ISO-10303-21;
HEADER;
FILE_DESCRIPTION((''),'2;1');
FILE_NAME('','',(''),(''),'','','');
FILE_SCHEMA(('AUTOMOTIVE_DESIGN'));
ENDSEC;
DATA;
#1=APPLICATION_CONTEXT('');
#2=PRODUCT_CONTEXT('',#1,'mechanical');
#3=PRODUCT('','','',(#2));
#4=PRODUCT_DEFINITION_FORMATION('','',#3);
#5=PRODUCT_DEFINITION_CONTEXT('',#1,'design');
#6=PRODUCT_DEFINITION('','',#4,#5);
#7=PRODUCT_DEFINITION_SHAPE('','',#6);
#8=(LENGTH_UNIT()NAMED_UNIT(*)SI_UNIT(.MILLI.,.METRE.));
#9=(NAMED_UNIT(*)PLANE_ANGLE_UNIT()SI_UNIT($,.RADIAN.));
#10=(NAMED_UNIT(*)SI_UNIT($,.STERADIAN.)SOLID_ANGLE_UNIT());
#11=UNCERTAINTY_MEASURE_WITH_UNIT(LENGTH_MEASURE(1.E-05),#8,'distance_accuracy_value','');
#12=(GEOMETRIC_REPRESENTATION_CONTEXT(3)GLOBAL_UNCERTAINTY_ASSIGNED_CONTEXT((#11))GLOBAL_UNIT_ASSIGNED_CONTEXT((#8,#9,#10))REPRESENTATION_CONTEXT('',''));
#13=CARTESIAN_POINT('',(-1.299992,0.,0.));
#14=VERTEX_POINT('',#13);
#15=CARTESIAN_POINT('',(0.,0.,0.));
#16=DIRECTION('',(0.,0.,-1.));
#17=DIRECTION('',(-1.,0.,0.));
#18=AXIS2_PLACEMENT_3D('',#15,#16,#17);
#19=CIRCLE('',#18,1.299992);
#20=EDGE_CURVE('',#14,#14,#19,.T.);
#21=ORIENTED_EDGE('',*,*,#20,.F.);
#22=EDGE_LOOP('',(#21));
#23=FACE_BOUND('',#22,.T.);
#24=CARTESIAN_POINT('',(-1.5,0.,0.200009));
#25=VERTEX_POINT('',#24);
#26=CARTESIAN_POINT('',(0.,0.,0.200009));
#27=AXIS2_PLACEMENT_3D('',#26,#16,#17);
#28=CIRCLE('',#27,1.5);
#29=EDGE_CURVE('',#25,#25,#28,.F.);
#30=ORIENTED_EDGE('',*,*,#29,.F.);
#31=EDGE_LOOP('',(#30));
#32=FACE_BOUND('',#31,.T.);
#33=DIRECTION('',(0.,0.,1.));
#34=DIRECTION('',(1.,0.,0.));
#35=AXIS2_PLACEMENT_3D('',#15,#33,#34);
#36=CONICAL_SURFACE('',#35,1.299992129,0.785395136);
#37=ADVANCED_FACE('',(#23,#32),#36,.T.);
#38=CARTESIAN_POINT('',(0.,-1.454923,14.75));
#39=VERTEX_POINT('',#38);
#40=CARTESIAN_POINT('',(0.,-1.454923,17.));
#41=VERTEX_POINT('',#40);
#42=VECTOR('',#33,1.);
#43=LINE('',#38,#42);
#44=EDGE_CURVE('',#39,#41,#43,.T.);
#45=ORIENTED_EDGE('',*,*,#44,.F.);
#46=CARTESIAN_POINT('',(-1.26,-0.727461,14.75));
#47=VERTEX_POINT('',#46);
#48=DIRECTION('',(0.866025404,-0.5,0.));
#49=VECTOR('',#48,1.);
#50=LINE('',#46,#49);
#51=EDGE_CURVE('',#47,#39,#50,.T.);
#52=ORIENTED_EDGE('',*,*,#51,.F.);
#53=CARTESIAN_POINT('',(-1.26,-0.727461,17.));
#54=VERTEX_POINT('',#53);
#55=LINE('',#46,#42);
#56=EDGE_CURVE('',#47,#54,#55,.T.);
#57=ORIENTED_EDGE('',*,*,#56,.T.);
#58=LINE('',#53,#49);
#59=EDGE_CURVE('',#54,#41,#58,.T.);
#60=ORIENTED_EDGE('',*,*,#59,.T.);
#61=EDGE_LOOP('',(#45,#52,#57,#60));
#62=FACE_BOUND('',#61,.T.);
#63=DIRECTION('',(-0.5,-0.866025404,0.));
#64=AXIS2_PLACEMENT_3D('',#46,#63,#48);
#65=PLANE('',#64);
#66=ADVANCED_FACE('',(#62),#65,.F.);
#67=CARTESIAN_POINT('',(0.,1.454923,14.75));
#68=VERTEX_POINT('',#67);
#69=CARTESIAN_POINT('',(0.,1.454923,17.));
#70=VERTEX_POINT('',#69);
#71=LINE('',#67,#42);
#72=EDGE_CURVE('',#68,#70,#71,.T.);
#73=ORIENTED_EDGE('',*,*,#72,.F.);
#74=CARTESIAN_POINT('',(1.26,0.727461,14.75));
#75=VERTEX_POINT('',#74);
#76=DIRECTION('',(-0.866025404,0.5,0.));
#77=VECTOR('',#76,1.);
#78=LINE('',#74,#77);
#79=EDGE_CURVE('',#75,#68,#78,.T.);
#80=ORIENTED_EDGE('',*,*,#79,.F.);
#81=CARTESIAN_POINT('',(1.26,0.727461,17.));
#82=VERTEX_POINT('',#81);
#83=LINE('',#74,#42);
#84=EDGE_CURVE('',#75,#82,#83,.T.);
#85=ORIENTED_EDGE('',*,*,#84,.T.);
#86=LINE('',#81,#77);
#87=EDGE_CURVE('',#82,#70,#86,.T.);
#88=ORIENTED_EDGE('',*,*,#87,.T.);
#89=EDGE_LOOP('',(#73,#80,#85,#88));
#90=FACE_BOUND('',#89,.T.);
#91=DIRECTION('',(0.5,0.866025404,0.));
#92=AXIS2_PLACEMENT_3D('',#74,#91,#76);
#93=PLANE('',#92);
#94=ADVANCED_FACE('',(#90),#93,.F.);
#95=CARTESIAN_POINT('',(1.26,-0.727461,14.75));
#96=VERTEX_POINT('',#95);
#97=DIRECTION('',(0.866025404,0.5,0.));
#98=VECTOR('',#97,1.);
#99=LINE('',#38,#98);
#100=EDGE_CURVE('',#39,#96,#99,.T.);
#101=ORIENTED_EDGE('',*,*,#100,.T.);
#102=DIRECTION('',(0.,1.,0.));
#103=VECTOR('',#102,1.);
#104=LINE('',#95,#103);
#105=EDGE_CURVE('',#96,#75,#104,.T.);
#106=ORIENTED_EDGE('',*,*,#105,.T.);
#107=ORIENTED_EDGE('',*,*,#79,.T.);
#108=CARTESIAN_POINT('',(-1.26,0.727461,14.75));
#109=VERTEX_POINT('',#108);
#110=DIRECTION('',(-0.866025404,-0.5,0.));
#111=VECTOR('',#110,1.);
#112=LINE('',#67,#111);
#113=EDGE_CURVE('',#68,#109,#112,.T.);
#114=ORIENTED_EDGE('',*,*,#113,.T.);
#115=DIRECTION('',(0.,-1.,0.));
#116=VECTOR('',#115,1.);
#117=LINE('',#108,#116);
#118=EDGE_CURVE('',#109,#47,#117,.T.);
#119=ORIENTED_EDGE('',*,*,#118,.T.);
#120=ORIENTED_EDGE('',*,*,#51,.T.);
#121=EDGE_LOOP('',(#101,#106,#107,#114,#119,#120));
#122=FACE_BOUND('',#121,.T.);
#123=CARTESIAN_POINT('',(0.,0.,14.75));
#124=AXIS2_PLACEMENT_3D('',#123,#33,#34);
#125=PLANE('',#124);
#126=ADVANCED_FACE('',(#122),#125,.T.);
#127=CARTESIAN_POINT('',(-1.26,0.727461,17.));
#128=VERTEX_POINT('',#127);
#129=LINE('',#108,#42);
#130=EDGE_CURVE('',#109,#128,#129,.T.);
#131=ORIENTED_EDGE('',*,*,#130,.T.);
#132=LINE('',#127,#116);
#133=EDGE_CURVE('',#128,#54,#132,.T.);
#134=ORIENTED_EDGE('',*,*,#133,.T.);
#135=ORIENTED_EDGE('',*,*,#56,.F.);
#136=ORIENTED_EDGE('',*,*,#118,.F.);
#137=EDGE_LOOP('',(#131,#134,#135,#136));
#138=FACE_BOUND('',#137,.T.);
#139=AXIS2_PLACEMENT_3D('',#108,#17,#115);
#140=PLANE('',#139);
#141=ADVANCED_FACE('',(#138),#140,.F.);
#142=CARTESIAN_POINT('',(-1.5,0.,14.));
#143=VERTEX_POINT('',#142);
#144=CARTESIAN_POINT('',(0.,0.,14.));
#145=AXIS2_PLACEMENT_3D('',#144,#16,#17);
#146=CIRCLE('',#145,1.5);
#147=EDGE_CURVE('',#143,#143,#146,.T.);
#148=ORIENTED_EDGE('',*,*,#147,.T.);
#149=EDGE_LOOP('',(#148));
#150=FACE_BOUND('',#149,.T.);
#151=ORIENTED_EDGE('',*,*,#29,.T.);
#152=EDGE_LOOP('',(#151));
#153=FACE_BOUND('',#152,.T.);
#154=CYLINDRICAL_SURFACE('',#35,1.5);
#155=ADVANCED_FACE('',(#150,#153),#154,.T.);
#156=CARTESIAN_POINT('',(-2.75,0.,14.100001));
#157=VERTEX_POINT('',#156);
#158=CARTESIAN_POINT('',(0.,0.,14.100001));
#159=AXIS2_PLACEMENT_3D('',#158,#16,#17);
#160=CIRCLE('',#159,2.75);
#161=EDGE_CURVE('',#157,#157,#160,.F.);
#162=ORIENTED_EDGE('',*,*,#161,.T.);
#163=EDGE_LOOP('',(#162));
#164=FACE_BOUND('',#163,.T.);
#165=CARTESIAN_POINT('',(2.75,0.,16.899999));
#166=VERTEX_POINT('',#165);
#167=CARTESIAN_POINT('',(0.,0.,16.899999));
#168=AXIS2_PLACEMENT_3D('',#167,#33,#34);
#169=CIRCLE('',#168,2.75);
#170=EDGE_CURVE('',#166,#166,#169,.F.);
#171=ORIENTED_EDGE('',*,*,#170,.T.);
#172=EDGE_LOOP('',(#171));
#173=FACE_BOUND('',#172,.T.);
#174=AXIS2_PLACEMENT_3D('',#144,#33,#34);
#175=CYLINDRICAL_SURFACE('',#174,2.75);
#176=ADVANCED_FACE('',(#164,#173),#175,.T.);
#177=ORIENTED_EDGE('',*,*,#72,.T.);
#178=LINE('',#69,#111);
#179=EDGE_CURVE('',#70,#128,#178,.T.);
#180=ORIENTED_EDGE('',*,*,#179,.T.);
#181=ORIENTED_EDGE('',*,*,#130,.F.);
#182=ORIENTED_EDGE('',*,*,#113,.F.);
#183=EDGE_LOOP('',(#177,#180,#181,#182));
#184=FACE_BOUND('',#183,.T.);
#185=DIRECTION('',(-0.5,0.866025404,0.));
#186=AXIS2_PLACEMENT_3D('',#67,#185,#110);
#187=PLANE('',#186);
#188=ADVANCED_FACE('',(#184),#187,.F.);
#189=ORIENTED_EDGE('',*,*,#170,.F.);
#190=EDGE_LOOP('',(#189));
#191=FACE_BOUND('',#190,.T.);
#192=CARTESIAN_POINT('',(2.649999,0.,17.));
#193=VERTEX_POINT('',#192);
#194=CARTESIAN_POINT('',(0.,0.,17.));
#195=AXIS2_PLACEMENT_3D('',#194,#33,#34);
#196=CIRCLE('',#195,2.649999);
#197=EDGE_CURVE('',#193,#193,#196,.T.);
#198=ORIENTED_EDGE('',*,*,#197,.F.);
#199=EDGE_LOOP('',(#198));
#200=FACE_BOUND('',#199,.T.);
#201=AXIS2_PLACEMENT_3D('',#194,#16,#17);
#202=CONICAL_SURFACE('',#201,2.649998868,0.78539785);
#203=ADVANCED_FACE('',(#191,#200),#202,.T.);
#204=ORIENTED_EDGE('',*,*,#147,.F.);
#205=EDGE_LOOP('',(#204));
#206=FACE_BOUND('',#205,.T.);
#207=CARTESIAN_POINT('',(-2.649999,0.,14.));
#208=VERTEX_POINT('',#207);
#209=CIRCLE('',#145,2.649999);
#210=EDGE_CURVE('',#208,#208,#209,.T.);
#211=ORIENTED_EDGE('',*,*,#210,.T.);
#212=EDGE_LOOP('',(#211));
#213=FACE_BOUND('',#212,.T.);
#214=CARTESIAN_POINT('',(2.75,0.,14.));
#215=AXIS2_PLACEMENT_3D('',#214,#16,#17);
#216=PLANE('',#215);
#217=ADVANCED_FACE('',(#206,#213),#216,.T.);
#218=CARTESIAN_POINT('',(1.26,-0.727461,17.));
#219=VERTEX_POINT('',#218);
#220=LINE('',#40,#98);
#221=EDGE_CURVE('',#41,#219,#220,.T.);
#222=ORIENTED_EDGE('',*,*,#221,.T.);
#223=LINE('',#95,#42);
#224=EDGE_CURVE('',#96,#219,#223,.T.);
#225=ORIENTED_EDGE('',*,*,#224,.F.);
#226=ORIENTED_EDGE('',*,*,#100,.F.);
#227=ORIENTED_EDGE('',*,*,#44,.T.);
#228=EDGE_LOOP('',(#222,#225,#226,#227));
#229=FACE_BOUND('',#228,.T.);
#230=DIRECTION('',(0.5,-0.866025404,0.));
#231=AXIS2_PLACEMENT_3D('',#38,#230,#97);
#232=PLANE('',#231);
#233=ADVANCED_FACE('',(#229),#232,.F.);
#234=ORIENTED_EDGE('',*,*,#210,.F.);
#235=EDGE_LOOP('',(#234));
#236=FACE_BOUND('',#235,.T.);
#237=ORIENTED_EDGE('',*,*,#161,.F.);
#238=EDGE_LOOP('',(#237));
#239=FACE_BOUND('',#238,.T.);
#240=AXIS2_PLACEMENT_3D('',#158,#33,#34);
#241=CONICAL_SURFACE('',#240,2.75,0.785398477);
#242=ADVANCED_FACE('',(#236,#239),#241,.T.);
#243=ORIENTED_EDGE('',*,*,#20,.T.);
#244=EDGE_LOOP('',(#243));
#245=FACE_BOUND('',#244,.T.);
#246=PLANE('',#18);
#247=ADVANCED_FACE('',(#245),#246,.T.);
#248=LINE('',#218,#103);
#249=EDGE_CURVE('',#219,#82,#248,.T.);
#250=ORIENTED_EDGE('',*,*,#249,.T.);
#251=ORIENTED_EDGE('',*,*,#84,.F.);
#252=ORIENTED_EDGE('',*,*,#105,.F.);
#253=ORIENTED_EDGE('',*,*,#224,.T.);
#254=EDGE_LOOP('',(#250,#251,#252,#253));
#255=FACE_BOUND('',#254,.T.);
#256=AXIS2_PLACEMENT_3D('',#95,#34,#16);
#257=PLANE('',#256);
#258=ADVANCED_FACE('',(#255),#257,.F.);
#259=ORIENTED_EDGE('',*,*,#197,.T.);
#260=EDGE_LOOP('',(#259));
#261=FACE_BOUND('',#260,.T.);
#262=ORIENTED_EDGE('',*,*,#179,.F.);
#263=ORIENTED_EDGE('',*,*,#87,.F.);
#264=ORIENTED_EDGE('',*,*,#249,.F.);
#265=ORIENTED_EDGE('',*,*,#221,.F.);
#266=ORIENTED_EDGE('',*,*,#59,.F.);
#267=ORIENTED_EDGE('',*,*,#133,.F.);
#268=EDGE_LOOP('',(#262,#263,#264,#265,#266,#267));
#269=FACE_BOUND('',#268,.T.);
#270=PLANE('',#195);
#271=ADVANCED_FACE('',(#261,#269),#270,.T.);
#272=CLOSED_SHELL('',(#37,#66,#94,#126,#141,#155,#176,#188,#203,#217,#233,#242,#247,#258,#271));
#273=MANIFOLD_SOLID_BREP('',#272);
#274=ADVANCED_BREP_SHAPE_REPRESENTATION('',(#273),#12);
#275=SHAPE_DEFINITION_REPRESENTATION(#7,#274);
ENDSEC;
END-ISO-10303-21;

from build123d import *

# Parameters (mm, degrees)
SKETCH_1_W          = 2.75
SKETCH_1_H          = 3
SKETCH_2_R          = 1.5
EXTRUDE_1_DEPTH     = 14
CUT_EXTRUDE_1_DEPTH = 2.25
CHAMFER_1_SIZE2     = 0.100001195
CHAMFER_1_SIZE      = 0.100001132
CHAMFER_2_SIZE      = 0.200007871
CHAMFER_2_SIZE2     = 0.200009082


with BuildPart() as part:
    # 草图1 → 旋转1 (revolve)
    with BuildSketch(Plane(origin=(0, 0, 0), x_dir=(1, 0, 0), z_dir=(0, 1, 0))):
        with Locations((1.375, -15.5)):
            Rectangle(SKETCH_1_W, SKETCH_1_H)
    revolve(axis=Axis((0, 0, 14), (0, 0, 1)))

    # 草图2 → 凸台-拉伸1 (add)
    with BuildSketch(Plane(origin=(0, 0, 14), x_dir=(-1, 0, 0), z_dir=(0, 0, -1))):
        Circle(SKETCH_2_R)
    extrude(amount=EXTRUDE_1_DEPTH)

    # 草图3 → 切除-拉伸1 (cut)
    with BuildSketch(Plane.XY.offset(17)):
        Polygon((-1.26, -0.727461339), (0, -1.454922678), (1.26, -0.727461339), (1.26, 0.727461339), (0, 1.454922678), (-1.26, 0.727461339), align=None)
    extrude(amount=-CUT_EXTRUDE_1_DEPTH, mode=Mode.SUBTRACT)

    # 倒角1
    chamfer_1_edges = [part.edges().sort_by_distance(p)[0] for p in [
        (-2.75, 0, 17),
        (-2.75, 0, 14),
    ]]
    chamfer(chamfer_1_edges, length=CHAMFER_1_SIZE, length2=CHAMFER_1_SIZE2)

    # 倒角2
    chamfer_2_edges = [part.edges().sort_by_distance(p)[0] for p in [
        (1.5, 0, 0),
    ]]
    chamfer_2_side = [part.faces().sort_by_distance(p)[0] for p in [
        (1.5, 0, 7),
    ]]
    chamfer(chamfer_2_edges, length=CHAMFER_2_SIZE, length2=CHAMFER_2_SIZE2, reference=chamfer_2_side[0])


solid = part.part
